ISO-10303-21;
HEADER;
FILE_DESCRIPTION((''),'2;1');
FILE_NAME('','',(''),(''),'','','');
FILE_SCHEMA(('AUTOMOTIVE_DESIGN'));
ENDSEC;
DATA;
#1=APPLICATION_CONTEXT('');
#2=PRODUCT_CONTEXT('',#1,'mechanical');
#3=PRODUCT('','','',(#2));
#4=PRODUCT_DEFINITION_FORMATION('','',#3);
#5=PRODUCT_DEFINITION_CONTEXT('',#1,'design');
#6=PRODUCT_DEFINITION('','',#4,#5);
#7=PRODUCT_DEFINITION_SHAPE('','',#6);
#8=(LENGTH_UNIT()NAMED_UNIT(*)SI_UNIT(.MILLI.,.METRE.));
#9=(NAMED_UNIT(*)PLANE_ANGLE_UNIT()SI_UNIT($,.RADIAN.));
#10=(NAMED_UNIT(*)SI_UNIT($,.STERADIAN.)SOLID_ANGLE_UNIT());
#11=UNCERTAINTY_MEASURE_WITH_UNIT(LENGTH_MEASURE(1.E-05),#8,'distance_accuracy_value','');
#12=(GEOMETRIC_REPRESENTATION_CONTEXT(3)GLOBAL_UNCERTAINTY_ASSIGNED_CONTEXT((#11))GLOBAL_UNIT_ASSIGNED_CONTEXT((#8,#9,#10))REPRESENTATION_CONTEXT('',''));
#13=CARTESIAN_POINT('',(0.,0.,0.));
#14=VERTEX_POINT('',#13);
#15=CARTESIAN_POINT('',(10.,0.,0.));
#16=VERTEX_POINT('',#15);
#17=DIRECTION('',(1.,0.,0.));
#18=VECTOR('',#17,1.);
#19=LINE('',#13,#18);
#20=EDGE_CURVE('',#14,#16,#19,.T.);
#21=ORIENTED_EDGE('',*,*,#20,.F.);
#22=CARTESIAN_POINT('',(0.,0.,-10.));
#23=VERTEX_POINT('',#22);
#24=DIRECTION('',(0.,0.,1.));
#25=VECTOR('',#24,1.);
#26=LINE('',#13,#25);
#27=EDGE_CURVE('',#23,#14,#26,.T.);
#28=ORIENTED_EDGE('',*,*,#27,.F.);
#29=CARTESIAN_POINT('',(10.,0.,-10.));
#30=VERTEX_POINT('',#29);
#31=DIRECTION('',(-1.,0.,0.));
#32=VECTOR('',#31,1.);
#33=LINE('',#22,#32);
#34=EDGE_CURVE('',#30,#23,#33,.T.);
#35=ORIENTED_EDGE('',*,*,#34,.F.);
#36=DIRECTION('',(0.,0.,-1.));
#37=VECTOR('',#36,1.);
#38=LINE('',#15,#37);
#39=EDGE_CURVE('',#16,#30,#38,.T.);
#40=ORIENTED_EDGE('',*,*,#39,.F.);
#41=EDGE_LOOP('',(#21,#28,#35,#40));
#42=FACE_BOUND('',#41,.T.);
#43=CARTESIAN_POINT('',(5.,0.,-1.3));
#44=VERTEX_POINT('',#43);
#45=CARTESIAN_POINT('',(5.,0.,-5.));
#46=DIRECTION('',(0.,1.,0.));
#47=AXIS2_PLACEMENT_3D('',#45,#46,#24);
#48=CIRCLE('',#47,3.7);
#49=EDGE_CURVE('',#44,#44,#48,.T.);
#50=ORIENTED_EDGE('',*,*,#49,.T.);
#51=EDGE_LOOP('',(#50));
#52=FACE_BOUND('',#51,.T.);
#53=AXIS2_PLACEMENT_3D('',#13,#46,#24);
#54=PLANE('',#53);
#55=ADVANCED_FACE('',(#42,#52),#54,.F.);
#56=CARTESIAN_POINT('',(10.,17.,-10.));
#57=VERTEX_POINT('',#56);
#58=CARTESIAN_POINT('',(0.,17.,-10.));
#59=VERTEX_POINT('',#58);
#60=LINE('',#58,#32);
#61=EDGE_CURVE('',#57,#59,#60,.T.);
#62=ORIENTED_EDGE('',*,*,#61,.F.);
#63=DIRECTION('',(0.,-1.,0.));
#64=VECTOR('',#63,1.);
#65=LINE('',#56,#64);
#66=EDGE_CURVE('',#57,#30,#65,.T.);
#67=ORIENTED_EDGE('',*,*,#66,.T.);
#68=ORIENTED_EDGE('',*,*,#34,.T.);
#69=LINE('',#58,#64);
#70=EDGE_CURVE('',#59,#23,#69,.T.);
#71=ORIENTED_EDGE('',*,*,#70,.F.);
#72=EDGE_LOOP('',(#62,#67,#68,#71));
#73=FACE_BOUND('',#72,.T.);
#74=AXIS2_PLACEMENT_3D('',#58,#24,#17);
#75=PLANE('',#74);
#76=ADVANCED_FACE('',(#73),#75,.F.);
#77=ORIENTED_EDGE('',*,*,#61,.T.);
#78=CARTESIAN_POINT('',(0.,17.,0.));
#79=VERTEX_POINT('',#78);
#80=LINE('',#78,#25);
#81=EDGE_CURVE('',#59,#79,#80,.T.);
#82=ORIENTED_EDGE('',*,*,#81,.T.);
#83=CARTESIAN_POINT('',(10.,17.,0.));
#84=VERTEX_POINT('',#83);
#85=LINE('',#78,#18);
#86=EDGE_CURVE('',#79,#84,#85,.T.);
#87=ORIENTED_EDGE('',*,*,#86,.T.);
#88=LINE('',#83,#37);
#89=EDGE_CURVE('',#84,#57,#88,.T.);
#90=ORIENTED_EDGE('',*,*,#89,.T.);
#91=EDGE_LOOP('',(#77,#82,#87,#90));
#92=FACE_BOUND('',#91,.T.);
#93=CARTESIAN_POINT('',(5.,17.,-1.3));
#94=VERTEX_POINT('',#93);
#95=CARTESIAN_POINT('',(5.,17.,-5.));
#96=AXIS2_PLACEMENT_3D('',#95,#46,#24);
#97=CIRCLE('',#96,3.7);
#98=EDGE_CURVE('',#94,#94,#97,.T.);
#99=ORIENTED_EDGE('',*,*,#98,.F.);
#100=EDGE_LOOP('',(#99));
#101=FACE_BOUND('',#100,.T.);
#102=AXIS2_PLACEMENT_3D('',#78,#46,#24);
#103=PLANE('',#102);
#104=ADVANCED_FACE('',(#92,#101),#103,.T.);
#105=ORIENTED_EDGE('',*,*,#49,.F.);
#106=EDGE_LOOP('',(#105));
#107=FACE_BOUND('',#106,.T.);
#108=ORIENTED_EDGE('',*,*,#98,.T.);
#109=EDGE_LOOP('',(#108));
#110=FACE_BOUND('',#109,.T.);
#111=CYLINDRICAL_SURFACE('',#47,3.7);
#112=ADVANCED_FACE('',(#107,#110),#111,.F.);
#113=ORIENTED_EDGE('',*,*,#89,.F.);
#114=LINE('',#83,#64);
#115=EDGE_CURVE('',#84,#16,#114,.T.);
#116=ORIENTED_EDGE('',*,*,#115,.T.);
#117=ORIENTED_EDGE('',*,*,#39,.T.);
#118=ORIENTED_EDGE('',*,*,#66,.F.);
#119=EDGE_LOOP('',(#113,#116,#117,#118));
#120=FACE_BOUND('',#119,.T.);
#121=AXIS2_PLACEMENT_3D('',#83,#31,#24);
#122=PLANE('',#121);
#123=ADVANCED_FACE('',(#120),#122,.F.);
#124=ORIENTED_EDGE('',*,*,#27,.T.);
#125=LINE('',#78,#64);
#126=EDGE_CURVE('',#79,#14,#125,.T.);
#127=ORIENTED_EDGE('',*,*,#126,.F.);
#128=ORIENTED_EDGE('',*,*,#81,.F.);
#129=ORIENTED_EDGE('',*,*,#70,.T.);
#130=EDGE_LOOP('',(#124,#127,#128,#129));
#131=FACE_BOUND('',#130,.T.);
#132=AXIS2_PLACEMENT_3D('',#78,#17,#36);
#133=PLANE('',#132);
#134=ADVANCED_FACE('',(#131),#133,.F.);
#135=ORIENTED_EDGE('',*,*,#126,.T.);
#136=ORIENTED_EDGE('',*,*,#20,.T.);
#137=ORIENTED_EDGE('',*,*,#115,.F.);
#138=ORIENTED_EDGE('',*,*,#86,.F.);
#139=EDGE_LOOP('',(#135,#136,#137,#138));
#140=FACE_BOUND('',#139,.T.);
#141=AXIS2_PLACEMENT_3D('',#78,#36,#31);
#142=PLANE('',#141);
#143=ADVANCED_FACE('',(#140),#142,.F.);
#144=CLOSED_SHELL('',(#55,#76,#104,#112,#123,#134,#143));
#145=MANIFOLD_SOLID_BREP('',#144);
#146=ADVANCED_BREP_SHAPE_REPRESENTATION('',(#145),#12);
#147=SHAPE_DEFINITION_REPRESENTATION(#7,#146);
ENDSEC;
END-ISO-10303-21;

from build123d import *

# Parameters (mm, degrees)
SKETCH1_W           = 10
SKETCH1_H           = 10
BOSS_EXTRUDE1_DEPTH = 17
CUT_EXTRUDE1_DEPTH  = 17


with BuildPart() as part:
    # Sketch1 → Boss-Extrude1 (new body)
    with BuildSketch(Plane(origin=(0, 0, 0), x_dir=(1, 0, 0), z_dir=(0, 1, 0))):
        with Locations((5, 5)):
            Rectangle(SKETCH1_W, SKETCH1_H)
    extrude(amount=BOSS_EXTRUDE1_DEPTH)

    # Sketch2 → Cut-Extrude1 (cut)
    with BuildSketch(Plane(origin=(0, 17, 0), x_dir=(1, 0, 0), z_dir=(0, 1, 0))):
        with BuildLine():
            ThreePointArc((7.61629509, 7.61629509), (2.38370491, 7.61629509), (2.38370491, 2.38370491))
            Line((2.38370491, 2.38370491), (7.61629509, 7.61629509))
        make_face()
        with BuildLine():
            Line((7.61629509, 7.61629509), (2.38370491, 2.38370491))
            ThreePointArc((2.38370491, 2.38370491), (6.4159287, 1.58164573), (8.7, 5))
            ThreePointArc((8.7, 5), (8.41835427, 6.4159287), (7.61629509, 7.61629509))
        make_face()
    extrude(amount=-CUT_EXTRUDE1_DEPTH, mode=Mode.SUBTRACT)


solid = part.part
